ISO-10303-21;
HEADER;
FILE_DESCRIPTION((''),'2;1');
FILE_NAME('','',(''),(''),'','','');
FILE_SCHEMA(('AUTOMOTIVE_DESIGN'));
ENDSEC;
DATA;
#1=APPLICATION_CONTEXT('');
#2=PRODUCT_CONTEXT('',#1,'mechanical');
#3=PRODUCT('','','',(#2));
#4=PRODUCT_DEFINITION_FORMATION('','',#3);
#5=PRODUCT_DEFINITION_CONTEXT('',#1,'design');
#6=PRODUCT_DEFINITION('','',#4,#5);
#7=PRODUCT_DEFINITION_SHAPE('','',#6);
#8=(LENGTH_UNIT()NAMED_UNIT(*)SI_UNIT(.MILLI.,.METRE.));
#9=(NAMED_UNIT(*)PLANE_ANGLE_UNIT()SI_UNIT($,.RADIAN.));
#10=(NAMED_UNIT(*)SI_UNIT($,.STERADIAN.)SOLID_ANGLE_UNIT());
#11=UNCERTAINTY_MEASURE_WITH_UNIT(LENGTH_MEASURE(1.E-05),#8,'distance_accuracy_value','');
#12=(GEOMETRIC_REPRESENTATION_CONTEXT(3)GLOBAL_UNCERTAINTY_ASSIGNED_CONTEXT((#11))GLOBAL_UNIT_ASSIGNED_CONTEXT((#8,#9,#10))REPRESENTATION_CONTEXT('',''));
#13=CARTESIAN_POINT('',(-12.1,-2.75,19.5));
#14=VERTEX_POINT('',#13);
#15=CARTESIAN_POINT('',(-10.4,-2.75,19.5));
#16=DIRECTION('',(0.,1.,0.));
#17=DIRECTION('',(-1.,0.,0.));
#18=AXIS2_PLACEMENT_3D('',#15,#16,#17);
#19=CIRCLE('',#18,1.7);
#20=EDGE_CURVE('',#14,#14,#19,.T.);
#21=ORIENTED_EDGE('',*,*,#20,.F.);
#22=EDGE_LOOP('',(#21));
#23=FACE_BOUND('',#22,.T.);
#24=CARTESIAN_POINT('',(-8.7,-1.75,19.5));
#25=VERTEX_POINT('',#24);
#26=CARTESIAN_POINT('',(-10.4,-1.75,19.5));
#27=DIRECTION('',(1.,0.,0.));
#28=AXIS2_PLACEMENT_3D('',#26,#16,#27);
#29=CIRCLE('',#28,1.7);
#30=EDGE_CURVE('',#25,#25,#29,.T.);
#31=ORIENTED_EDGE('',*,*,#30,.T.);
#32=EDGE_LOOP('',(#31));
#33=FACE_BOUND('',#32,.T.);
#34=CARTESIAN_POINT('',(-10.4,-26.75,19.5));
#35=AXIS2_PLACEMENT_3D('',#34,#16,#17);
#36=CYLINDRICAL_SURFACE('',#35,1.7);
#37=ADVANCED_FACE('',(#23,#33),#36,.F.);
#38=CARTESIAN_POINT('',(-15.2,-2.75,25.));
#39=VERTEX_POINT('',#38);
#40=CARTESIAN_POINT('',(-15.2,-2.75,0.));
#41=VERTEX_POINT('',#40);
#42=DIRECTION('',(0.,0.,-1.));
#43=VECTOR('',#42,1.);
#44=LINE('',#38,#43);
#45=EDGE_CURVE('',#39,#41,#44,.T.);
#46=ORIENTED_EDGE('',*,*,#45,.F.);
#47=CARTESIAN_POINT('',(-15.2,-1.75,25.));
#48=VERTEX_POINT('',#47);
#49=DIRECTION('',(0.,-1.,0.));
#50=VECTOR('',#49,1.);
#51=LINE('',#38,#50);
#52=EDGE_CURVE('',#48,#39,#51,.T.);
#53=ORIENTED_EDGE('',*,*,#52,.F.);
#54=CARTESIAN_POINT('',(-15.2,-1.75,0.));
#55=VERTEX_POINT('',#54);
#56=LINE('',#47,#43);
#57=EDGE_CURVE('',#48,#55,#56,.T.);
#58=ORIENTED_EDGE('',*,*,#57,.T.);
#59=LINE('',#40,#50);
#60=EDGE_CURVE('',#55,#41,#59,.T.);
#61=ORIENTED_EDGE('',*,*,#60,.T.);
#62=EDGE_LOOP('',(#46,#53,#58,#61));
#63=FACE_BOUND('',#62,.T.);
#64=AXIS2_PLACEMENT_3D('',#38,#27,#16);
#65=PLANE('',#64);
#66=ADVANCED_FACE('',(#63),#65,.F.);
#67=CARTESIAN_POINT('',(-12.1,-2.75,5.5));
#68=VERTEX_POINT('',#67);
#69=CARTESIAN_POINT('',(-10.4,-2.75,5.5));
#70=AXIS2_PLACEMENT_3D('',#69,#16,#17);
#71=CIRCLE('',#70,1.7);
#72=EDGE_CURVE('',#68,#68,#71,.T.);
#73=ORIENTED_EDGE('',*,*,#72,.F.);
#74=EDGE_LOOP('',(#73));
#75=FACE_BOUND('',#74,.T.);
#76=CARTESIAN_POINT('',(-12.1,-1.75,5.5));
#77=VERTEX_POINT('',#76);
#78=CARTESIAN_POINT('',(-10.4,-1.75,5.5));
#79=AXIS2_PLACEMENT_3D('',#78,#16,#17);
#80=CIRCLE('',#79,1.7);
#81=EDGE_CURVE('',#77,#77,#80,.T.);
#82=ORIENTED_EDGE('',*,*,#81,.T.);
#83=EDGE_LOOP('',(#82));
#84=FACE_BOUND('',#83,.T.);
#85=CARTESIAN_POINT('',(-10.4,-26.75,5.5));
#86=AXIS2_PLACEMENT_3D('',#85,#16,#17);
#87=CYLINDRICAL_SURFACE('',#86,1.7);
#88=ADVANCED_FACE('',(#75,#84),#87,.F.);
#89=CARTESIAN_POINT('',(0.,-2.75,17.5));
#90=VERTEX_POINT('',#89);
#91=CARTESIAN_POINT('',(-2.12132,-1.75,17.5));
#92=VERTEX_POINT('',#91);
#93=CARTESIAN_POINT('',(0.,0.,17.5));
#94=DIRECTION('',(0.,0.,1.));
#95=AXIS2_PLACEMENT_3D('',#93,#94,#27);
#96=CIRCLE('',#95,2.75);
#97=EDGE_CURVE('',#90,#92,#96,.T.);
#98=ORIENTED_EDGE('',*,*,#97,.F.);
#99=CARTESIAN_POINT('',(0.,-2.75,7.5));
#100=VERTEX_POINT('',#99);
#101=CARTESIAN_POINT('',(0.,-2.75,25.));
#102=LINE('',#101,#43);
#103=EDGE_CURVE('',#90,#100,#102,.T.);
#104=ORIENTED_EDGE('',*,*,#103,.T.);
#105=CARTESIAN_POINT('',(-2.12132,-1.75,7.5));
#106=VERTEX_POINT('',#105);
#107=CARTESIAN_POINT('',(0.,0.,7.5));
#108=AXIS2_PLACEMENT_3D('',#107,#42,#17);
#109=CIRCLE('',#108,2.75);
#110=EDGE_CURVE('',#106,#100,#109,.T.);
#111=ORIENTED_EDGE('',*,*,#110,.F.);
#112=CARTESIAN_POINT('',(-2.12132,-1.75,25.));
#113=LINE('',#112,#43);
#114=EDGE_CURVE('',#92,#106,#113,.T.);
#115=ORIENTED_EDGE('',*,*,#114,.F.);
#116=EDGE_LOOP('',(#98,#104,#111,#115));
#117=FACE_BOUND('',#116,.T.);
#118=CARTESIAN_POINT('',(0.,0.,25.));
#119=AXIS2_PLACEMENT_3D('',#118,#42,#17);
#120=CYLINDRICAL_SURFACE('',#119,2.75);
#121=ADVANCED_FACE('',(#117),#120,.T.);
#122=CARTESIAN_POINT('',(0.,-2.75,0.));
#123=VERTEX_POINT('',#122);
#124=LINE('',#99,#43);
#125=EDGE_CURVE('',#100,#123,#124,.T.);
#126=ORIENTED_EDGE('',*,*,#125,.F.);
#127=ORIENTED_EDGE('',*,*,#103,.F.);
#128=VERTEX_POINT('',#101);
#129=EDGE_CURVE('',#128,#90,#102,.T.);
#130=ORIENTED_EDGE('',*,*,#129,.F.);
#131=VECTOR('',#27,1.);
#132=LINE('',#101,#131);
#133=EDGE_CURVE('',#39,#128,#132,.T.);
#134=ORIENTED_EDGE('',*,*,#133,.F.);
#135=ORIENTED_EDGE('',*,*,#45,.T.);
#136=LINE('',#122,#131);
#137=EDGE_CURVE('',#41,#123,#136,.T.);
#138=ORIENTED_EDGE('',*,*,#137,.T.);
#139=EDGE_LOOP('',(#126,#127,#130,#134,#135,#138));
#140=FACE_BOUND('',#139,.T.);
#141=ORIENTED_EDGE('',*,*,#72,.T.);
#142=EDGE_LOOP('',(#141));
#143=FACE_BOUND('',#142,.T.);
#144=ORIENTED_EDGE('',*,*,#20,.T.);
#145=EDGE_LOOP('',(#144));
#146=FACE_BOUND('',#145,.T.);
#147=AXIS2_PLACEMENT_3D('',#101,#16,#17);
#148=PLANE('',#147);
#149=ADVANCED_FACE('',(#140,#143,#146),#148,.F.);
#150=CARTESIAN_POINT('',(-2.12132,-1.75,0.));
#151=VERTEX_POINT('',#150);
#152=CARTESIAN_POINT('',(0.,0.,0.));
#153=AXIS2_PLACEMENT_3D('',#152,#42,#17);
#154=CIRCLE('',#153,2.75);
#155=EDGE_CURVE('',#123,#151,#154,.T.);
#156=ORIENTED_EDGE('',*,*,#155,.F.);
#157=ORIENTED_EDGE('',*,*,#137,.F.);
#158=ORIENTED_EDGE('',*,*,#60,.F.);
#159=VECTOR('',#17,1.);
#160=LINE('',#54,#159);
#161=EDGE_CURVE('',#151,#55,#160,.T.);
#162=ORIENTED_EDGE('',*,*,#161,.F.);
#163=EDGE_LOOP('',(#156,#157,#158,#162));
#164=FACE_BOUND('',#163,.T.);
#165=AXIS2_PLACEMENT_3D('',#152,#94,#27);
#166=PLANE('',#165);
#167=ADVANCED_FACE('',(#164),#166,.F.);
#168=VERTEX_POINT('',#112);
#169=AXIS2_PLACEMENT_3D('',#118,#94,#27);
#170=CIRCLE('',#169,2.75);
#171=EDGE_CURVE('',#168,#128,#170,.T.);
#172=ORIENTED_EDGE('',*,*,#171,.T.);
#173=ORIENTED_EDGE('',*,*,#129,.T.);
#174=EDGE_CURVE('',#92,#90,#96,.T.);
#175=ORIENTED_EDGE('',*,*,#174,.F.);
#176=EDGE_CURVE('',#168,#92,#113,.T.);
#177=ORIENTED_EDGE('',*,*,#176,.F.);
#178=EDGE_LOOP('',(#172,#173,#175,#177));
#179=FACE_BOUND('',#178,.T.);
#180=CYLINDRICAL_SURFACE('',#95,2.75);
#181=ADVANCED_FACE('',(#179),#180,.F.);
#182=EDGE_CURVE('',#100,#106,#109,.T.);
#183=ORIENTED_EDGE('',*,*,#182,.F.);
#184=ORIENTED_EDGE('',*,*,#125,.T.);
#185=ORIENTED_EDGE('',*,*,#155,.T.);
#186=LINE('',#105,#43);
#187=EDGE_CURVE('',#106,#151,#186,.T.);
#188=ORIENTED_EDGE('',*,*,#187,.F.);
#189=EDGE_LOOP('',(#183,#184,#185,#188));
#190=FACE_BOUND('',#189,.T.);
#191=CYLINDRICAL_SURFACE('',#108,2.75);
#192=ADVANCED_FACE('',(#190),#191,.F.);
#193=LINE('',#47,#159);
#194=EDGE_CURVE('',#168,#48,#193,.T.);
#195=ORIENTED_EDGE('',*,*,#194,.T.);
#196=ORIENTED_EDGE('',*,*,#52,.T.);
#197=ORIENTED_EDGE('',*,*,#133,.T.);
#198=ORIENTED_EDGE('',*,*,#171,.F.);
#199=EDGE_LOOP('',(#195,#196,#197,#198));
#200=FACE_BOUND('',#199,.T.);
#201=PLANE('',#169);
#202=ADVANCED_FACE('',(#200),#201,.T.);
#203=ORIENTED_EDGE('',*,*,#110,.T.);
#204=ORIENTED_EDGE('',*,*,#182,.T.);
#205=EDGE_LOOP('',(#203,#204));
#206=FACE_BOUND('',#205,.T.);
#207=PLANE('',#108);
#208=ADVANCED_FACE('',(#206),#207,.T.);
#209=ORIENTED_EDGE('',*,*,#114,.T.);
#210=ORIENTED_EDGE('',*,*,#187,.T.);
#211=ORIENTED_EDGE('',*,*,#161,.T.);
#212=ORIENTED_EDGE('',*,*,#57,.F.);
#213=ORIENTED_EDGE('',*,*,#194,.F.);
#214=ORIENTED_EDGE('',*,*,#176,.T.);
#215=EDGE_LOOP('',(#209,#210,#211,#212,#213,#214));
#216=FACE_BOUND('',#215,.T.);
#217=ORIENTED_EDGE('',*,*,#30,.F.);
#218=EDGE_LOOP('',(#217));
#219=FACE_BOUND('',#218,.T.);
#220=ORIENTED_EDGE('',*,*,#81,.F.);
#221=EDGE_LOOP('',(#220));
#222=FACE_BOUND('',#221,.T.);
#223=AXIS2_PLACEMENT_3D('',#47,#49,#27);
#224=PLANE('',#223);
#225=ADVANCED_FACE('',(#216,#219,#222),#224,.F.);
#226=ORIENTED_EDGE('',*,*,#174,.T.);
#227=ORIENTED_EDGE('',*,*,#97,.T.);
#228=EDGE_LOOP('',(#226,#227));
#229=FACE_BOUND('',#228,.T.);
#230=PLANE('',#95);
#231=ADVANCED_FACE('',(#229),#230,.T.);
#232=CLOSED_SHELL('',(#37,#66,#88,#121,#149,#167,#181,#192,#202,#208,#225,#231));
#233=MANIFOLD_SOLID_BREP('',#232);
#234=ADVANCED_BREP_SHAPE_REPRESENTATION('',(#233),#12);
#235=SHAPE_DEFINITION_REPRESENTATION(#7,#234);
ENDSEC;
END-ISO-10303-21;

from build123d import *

# Parameters (mm, degrees)
EXTRUDE_1_DEPTH     = 25
SKETCH_2_R          = 1.7
CUT_EXTRUDE_1_DEPTH = 25
SKETCH_3_R          = 2.75
CUT_EXTRUDE_2_DEPTH = 7.5
CUT_EXTRUDE_START   = -25
SKETCH_3_2_R        = 2.75
CUT_EXTRUDE_3_DEPTH = 7.5


with BuildPart() as part:
    # 草图1 → 凸台-拉伸1 (new body)
    with BuildSketch(Plane.XY):
        with BuildLine():
            Line((0, -2.75), (-15.2, -2.75))
            Line((-15.2, -2.75), (-15.2, -1.75))
            Line((-15.2, -1.75), (-2.121320344, -1.75))
            ThreePointArc((-2.121320344, -1.75), (1.17260394, 2.487468593), (0, -2.75))
        make_face()
    extrude(amount=EXTRUDE_1_DEPTH)

    # 草图2 → 切除-拉伸1 (cut)
    with BuildSketch(Plane(origin=(0, -1.75, 0), x_dir=(1, 0, 0), z_dir=(0, 1, 0))):
        with Locations((-10.4, -5.5)):
            Circle(SKETCH_2_R)
        with Locations((-10.4, -19.5)):
            Circle(SKETCH_2_R)
    extrude(amount=-CUT_EXTRUDE_1_DEPTH, mode=Mode.SUBTRACT)

    # 草图3 → 切除-拉伸2 (cut)
    with BuildSketch(Plane(origin=(0, 0, 0), x_dir=(-1, 0, 0), z_dir=(0, 0, -1))):
        Circle(SKETCH_3_R)
    extrude(amount=-CUT_EXTRUDE_2_DEPTH, mode=Mode.SUBTRACT)

    # 草图3<2> → 切除-拉伸3 (cut)
    with BuildSketch(Plane(origin=(0, 0, 0), x_dir=(-1, 0, 0), z_dir=(0, 0, -1)).offset(CUT_EXTRUDE_START)):
        Circle(SKETCH_3_2_R)
    extrude(amount=CUT_EXTRUDE_3_DEPTH, mode=Mode.SUBTRACT)


solid = part.part
